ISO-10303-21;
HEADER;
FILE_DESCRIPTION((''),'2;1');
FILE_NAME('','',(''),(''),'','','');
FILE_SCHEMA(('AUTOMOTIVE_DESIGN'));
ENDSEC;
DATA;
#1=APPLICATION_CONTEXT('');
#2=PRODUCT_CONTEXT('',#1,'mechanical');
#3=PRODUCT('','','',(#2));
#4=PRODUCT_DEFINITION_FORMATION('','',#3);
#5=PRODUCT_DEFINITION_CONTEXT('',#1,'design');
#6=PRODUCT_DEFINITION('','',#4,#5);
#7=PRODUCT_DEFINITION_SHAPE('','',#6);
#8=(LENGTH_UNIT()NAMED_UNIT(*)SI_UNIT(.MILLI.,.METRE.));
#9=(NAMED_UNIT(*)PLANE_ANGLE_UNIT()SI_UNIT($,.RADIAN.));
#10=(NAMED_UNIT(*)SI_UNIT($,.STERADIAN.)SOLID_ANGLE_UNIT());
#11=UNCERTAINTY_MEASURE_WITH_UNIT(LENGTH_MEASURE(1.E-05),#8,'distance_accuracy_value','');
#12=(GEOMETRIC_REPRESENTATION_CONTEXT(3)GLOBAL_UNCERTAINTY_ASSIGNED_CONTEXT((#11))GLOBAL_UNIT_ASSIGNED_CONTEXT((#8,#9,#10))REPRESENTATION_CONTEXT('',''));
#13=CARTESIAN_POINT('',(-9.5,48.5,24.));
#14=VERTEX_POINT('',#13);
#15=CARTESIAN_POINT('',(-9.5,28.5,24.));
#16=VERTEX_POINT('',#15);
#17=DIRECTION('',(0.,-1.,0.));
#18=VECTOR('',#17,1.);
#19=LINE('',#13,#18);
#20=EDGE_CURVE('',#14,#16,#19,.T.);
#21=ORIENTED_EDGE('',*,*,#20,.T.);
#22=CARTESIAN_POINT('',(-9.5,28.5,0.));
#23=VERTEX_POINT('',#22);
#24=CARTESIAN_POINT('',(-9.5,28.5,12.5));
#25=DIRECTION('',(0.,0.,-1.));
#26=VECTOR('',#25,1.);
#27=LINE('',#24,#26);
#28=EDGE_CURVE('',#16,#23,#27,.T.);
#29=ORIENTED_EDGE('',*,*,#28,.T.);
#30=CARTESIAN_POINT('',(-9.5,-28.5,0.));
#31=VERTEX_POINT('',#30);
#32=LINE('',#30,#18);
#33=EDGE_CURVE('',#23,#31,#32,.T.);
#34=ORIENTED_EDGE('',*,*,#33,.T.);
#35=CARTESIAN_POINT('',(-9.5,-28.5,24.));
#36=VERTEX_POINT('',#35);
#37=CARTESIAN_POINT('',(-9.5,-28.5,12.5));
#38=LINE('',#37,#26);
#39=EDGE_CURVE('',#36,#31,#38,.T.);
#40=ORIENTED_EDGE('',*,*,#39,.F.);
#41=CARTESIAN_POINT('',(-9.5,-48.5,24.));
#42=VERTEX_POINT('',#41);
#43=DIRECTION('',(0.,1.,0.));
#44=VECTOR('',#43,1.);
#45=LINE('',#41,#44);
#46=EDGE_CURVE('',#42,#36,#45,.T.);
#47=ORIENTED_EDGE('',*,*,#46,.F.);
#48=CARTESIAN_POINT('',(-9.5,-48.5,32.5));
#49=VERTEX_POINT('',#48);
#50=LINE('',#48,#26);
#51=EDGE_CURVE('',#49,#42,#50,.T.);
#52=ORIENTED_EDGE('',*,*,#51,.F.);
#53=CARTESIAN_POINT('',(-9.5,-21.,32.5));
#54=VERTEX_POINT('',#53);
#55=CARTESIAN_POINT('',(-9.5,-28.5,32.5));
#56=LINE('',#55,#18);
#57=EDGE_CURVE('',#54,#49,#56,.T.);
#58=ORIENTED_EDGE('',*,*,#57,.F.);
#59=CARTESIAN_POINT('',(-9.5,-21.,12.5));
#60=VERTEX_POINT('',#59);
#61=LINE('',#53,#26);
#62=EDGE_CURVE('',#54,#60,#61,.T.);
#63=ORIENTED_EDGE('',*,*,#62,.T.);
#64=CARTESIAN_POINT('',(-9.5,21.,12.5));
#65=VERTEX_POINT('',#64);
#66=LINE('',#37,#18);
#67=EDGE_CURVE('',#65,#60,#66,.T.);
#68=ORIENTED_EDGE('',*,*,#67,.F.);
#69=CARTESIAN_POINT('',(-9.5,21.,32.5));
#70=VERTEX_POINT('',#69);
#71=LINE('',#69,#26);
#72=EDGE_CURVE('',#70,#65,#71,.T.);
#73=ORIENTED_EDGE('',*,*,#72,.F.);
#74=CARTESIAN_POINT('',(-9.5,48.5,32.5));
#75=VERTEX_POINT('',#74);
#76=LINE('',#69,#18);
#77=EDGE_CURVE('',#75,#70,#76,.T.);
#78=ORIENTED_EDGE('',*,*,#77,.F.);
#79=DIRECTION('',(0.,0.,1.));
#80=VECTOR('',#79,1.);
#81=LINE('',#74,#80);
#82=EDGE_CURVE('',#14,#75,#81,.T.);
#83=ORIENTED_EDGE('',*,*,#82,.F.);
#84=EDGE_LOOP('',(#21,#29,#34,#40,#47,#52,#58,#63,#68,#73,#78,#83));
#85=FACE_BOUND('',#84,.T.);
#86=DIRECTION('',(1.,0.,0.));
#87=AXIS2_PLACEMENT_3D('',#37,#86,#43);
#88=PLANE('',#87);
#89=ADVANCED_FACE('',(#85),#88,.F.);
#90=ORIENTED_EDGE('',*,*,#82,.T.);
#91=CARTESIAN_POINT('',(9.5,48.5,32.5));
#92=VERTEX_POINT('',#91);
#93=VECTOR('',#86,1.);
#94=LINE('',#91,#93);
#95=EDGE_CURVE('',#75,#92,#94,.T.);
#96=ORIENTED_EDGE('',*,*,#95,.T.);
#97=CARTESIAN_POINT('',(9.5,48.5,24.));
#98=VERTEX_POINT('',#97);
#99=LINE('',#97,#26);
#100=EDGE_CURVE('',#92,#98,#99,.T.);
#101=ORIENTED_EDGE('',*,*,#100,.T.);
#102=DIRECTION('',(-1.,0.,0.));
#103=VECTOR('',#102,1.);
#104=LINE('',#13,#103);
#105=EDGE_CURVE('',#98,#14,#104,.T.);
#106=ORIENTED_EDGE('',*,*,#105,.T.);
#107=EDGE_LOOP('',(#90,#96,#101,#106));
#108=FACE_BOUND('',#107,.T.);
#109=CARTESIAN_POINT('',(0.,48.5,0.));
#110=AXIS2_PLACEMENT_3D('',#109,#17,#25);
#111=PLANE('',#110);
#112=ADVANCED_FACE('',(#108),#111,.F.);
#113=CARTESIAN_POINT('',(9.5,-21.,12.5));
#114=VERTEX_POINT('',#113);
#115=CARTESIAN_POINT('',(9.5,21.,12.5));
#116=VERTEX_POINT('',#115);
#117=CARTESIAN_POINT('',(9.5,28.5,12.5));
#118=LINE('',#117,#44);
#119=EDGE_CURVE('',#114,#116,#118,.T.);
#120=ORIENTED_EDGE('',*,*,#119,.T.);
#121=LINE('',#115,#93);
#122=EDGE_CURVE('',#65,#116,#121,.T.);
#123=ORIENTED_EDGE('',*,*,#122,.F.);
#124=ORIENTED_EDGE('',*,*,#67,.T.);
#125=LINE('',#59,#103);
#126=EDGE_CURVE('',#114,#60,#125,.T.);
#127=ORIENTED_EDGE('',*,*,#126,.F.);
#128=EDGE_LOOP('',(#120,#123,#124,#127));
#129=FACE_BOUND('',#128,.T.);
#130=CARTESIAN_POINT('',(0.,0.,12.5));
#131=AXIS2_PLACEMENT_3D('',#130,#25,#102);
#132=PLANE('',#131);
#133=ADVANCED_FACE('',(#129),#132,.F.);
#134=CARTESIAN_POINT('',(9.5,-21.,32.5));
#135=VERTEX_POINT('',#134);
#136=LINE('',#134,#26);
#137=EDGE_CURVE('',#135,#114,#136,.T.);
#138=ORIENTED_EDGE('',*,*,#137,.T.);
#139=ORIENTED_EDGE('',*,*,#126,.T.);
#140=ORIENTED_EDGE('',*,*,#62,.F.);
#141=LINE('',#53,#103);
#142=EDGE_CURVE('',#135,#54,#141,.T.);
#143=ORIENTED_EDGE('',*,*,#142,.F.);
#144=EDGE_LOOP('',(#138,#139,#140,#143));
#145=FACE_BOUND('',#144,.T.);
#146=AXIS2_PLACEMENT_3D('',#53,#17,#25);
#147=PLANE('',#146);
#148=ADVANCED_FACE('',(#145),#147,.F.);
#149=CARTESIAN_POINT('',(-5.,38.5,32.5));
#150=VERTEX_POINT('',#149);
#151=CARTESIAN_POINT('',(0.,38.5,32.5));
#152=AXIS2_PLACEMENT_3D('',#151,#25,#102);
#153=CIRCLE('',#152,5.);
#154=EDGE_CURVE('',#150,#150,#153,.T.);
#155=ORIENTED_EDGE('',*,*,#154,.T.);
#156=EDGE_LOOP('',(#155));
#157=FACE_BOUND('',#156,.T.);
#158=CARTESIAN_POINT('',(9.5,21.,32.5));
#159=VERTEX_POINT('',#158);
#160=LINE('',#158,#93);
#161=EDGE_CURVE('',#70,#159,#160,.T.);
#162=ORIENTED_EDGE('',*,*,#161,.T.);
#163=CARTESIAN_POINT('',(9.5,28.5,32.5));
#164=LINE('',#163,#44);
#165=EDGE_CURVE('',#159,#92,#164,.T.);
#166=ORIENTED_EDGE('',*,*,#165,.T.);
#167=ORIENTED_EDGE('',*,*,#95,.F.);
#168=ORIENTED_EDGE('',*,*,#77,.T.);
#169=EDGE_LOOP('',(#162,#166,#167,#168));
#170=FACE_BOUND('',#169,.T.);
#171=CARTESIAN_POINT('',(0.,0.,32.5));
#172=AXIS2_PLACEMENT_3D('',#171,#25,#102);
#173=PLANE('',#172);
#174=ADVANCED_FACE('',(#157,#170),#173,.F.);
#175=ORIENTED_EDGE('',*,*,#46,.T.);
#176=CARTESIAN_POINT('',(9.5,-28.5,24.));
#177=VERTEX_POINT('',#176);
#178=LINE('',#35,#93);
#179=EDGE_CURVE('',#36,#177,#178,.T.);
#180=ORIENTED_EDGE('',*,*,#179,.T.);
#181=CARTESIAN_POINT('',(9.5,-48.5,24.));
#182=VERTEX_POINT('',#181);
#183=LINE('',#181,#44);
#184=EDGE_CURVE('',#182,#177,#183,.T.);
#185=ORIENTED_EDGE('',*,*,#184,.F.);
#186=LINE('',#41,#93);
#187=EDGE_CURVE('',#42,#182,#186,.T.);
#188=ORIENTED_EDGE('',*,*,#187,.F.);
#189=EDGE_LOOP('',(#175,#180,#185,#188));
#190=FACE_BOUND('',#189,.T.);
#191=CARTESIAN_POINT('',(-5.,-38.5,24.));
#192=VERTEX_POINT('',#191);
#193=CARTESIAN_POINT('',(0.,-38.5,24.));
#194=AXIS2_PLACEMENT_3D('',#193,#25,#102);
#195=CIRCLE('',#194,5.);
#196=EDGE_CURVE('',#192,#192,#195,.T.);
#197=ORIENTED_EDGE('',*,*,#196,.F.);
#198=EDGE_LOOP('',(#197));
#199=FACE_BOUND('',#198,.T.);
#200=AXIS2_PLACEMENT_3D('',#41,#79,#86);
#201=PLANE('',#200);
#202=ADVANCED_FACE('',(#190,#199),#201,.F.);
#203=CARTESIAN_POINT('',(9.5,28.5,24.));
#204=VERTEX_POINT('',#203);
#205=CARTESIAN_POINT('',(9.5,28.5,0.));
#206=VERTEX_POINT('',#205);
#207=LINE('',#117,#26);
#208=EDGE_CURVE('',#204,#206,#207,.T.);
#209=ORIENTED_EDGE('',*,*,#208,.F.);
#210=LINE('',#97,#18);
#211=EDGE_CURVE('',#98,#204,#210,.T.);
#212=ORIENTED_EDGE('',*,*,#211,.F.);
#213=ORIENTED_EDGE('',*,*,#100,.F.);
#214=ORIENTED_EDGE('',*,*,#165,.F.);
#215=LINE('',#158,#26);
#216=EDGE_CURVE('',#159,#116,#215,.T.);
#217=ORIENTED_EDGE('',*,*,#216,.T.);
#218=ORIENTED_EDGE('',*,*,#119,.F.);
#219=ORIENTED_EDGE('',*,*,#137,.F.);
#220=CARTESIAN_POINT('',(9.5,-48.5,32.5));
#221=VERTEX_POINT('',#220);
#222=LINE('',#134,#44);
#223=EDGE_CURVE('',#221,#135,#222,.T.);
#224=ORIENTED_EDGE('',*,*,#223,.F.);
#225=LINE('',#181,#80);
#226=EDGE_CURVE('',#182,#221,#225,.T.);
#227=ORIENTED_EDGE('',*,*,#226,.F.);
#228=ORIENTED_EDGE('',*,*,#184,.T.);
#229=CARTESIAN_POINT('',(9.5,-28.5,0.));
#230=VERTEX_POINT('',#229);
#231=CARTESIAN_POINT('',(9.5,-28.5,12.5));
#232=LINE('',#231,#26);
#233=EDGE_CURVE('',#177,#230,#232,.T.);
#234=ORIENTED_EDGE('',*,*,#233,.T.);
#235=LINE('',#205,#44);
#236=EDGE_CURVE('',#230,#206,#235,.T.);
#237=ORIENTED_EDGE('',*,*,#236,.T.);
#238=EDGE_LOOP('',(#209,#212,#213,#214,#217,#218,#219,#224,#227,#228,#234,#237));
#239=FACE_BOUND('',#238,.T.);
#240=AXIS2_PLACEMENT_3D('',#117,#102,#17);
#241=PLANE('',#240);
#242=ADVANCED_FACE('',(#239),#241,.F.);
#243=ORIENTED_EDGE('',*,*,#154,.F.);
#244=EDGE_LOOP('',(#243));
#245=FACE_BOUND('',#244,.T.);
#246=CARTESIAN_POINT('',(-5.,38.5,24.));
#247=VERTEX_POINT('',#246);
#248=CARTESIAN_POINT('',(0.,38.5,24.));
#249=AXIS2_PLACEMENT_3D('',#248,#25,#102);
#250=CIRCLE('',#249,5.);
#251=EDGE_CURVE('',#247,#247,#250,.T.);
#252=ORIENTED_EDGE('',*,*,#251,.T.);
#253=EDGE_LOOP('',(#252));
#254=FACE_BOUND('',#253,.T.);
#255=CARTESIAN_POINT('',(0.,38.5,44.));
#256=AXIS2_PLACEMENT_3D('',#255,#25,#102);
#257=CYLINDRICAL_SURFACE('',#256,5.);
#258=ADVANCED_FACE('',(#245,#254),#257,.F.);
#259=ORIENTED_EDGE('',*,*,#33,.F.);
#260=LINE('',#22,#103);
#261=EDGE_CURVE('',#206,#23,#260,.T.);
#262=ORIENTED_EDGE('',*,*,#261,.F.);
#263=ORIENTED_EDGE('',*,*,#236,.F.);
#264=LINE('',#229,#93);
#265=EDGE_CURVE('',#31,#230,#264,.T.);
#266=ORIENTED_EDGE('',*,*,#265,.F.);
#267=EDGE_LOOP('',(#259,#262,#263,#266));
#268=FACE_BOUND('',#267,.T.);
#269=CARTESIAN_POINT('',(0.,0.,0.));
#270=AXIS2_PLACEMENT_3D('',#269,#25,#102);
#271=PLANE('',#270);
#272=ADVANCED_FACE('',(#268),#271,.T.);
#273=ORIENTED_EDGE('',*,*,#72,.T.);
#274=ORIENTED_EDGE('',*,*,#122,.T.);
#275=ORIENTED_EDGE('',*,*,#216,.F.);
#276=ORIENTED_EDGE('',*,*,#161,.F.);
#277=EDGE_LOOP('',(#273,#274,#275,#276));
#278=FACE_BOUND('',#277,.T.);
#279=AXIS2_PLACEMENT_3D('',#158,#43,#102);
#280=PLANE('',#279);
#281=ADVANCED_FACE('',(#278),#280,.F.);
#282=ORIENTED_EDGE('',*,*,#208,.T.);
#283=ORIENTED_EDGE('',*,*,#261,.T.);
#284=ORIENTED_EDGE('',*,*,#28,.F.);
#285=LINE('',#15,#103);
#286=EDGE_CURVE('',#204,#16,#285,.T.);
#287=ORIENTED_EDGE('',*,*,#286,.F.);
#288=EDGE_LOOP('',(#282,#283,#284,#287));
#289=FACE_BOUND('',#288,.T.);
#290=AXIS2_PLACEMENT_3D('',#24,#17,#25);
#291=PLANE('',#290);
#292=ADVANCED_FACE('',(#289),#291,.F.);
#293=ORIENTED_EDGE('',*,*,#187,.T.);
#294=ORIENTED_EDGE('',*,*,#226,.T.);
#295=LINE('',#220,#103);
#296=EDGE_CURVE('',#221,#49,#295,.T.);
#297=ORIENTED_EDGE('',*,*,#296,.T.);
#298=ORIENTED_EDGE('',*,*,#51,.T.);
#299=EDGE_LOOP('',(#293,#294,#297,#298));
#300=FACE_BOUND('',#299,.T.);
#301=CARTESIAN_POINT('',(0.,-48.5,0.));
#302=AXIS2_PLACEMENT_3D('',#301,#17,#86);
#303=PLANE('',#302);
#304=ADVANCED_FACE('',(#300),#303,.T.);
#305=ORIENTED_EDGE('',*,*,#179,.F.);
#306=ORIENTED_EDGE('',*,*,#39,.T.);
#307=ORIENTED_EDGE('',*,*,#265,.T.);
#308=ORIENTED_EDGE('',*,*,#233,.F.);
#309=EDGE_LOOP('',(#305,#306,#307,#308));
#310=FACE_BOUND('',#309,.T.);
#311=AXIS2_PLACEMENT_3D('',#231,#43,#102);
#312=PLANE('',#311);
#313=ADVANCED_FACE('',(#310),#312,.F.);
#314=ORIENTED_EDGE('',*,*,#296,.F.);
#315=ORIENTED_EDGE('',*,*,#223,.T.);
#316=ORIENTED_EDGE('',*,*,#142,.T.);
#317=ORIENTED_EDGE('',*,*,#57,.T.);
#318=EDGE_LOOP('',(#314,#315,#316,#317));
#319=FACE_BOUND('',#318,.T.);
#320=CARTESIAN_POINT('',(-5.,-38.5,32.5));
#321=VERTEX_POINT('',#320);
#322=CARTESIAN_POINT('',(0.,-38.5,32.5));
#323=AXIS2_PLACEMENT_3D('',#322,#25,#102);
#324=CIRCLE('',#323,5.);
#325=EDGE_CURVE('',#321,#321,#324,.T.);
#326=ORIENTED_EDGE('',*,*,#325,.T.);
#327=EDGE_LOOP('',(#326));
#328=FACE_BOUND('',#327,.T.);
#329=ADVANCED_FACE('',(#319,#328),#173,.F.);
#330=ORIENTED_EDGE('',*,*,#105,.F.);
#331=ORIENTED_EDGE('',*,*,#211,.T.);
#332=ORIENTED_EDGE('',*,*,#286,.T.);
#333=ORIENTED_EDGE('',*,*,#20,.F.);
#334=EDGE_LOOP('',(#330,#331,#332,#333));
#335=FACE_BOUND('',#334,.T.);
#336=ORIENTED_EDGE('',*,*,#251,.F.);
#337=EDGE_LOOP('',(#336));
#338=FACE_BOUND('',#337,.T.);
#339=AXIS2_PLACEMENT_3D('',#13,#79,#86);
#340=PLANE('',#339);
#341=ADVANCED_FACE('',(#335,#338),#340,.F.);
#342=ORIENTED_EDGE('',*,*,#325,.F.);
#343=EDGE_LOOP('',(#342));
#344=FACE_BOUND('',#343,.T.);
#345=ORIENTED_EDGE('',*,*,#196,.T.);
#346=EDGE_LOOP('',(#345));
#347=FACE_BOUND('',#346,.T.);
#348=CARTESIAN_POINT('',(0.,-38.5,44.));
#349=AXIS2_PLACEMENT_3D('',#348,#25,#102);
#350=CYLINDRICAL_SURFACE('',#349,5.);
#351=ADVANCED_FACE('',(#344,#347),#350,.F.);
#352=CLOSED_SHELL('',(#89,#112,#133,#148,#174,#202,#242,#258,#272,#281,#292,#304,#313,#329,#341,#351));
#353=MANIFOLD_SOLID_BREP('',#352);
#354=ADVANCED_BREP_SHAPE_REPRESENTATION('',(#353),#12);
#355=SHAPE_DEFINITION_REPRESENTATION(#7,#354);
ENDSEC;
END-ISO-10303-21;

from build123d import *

# Parameters (mm, degrees)
SKETCH1_W           = 19
SKETCH1_H           = 57
BOSS_EXTRUDE1_DEPTH = 12.5
SKETCH2_W           = 19
SKETCH2_H           = 7.5
BOSS_EXTRUDE2_DEPTH = 20
SKETCH3_W           = 19
SKETCH3_H           = 8.5
BOSS_EXTRUDE3_DEPTH = 20
SKETCH4_W           = 19
SKETCH4_H           = 8.5
BOSS_EXTRUDE4_DEPTH = 20
SKETCH5_R           = 5
CUT_EXTRUDE1_DEPTH  = 20


with BuildPart() as part:
    # Sketch1 → Boss-Extrude1 (new body)
    with BuildSketch(Plane.XY):
        Rectangle(SKETCH1_W, SKETCH1_H)
    extrude(amount=BOSS_EXTRUDE1_DEPTH)

    # Sketch2 → Boss-Extrude2 (add)
    with BuildSketch(Plane.XY.offset(12.5)):
        with Locations((0, -24.75)):
            Rectangle(SKETCH2_W, SKETCH2_H)
        with Locations((0, 24.75)):
            Rectangle(SKETCH2_W, SKETCH2_H)
    extrude(amount=BOSS_EXTRUDE2_DEPTH)

    # Sketch3 → Boss-Extrude3 (add)
    with BuildSketch(Plane.XZ.offset(28.5)):
        with Locations((0, 28.25)):
            Rectangle(SKETCH3_W, SKETCH3_H)
    extrude(amount=BOSS_EXTRUDE3_DEPTH)

    # Sketch4 → Boss-Extrude4 (add)
    with BuildSketch(Plane(origin=(0, 28.5, 0), x_dir=(1, 0, 0), z_dir=(0, 1, 0))):
        with Locations((0, -28.25)):
            Rectangle(SKETCH4_W, SKETCH4_H)
    extrude(amount=BOSS_EXTRUDE4_DEPTH)

    # Sketch5 → Cut-Extrude1 (cut)
    with BuildSketch(Plane(origin=(0, 0, 24), x_dir=(-1, 0, 0), z_dir=(0, 0, -1))):
        with Locations((0, 38.5)):
            Circle(SKETCH5_R)
        with Locations((0, -38.5)):
            Circle(SKETCH5_R)
    extrude(amount=-CUT_EXTRUDE1_DEPTH, mode=Mode.SUBTRACT)


solid = part.part
